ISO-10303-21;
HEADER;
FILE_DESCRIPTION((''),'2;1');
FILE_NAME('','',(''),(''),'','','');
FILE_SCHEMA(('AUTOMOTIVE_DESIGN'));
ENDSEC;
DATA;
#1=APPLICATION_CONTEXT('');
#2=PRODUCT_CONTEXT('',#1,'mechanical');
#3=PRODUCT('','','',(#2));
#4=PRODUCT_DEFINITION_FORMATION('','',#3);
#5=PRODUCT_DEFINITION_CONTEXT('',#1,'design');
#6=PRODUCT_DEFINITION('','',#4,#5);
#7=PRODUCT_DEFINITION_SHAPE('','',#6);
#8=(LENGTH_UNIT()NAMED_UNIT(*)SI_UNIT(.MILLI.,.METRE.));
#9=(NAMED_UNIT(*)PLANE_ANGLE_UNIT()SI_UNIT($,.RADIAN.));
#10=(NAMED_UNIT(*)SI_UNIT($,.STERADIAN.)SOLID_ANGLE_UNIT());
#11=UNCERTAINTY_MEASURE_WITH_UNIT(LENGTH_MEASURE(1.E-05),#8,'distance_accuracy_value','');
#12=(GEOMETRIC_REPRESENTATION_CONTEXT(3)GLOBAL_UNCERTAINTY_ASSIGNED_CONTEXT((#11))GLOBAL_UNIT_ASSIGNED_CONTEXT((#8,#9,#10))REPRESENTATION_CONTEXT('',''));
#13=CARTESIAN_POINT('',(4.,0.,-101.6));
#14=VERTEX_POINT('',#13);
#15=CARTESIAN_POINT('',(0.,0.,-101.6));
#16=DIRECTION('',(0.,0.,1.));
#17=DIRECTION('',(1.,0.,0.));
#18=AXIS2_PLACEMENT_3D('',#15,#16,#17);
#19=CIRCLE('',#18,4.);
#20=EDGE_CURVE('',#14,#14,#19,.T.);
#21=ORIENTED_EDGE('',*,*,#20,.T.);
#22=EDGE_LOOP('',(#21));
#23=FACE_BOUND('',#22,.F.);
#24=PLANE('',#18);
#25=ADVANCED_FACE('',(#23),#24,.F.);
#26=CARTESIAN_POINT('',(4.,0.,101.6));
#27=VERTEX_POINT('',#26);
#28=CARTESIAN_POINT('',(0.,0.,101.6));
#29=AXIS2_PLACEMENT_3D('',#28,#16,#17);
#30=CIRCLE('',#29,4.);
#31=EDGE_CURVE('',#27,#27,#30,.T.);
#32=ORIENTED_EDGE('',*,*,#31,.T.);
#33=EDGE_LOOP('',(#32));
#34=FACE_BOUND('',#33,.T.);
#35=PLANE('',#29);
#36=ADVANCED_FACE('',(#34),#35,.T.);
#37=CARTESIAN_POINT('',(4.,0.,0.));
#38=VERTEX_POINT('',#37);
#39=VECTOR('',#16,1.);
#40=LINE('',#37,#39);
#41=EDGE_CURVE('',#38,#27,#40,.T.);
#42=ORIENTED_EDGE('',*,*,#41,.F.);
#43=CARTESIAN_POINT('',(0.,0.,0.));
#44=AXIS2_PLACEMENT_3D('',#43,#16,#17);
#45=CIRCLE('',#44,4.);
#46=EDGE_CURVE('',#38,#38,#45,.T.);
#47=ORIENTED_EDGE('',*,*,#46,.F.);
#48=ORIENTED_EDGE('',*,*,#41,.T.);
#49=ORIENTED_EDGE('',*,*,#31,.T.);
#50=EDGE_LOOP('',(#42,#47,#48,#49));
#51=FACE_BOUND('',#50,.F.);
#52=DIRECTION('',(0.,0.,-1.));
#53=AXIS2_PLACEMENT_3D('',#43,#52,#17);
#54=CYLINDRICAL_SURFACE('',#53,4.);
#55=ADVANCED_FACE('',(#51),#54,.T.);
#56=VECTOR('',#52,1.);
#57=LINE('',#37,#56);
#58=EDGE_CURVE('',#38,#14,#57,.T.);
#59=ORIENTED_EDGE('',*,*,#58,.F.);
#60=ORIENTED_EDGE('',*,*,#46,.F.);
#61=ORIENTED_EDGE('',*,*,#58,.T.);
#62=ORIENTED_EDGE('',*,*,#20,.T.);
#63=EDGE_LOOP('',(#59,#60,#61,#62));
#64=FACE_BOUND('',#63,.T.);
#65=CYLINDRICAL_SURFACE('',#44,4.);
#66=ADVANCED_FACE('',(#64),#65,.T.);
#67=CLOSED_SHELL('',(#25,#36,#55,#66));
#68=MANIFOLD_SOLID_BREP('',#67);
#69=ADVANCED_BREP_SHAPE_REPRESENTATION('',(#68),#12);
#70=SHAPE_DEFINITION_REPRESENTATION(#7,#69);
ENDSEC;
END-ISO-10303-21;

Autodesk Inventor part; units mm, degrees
ref_plane "YZ Plane" through (0, 0, 0) normal (1, 0, 0) x (0, 1, 0)
ref_plane "XZ Plane" through (0, 0, 0) normal (0, 1, 0) x (-1, 0, 0)
ref_plane "XY Plane" through (0, 0, 0) normal (0, 0, 1) x (1, 0, 0)
sketch "Sketch1" plane through (0, 0, 0) normal (0, 0, 1) x (1, 0, 0)
  circle A0 centre (0, 0) radius 4
  dimension "d0" = 8
extrude "Extrusion1" add sketch "Sketch1" along normal mid plane 203.2
properties part number "JointShaft"
